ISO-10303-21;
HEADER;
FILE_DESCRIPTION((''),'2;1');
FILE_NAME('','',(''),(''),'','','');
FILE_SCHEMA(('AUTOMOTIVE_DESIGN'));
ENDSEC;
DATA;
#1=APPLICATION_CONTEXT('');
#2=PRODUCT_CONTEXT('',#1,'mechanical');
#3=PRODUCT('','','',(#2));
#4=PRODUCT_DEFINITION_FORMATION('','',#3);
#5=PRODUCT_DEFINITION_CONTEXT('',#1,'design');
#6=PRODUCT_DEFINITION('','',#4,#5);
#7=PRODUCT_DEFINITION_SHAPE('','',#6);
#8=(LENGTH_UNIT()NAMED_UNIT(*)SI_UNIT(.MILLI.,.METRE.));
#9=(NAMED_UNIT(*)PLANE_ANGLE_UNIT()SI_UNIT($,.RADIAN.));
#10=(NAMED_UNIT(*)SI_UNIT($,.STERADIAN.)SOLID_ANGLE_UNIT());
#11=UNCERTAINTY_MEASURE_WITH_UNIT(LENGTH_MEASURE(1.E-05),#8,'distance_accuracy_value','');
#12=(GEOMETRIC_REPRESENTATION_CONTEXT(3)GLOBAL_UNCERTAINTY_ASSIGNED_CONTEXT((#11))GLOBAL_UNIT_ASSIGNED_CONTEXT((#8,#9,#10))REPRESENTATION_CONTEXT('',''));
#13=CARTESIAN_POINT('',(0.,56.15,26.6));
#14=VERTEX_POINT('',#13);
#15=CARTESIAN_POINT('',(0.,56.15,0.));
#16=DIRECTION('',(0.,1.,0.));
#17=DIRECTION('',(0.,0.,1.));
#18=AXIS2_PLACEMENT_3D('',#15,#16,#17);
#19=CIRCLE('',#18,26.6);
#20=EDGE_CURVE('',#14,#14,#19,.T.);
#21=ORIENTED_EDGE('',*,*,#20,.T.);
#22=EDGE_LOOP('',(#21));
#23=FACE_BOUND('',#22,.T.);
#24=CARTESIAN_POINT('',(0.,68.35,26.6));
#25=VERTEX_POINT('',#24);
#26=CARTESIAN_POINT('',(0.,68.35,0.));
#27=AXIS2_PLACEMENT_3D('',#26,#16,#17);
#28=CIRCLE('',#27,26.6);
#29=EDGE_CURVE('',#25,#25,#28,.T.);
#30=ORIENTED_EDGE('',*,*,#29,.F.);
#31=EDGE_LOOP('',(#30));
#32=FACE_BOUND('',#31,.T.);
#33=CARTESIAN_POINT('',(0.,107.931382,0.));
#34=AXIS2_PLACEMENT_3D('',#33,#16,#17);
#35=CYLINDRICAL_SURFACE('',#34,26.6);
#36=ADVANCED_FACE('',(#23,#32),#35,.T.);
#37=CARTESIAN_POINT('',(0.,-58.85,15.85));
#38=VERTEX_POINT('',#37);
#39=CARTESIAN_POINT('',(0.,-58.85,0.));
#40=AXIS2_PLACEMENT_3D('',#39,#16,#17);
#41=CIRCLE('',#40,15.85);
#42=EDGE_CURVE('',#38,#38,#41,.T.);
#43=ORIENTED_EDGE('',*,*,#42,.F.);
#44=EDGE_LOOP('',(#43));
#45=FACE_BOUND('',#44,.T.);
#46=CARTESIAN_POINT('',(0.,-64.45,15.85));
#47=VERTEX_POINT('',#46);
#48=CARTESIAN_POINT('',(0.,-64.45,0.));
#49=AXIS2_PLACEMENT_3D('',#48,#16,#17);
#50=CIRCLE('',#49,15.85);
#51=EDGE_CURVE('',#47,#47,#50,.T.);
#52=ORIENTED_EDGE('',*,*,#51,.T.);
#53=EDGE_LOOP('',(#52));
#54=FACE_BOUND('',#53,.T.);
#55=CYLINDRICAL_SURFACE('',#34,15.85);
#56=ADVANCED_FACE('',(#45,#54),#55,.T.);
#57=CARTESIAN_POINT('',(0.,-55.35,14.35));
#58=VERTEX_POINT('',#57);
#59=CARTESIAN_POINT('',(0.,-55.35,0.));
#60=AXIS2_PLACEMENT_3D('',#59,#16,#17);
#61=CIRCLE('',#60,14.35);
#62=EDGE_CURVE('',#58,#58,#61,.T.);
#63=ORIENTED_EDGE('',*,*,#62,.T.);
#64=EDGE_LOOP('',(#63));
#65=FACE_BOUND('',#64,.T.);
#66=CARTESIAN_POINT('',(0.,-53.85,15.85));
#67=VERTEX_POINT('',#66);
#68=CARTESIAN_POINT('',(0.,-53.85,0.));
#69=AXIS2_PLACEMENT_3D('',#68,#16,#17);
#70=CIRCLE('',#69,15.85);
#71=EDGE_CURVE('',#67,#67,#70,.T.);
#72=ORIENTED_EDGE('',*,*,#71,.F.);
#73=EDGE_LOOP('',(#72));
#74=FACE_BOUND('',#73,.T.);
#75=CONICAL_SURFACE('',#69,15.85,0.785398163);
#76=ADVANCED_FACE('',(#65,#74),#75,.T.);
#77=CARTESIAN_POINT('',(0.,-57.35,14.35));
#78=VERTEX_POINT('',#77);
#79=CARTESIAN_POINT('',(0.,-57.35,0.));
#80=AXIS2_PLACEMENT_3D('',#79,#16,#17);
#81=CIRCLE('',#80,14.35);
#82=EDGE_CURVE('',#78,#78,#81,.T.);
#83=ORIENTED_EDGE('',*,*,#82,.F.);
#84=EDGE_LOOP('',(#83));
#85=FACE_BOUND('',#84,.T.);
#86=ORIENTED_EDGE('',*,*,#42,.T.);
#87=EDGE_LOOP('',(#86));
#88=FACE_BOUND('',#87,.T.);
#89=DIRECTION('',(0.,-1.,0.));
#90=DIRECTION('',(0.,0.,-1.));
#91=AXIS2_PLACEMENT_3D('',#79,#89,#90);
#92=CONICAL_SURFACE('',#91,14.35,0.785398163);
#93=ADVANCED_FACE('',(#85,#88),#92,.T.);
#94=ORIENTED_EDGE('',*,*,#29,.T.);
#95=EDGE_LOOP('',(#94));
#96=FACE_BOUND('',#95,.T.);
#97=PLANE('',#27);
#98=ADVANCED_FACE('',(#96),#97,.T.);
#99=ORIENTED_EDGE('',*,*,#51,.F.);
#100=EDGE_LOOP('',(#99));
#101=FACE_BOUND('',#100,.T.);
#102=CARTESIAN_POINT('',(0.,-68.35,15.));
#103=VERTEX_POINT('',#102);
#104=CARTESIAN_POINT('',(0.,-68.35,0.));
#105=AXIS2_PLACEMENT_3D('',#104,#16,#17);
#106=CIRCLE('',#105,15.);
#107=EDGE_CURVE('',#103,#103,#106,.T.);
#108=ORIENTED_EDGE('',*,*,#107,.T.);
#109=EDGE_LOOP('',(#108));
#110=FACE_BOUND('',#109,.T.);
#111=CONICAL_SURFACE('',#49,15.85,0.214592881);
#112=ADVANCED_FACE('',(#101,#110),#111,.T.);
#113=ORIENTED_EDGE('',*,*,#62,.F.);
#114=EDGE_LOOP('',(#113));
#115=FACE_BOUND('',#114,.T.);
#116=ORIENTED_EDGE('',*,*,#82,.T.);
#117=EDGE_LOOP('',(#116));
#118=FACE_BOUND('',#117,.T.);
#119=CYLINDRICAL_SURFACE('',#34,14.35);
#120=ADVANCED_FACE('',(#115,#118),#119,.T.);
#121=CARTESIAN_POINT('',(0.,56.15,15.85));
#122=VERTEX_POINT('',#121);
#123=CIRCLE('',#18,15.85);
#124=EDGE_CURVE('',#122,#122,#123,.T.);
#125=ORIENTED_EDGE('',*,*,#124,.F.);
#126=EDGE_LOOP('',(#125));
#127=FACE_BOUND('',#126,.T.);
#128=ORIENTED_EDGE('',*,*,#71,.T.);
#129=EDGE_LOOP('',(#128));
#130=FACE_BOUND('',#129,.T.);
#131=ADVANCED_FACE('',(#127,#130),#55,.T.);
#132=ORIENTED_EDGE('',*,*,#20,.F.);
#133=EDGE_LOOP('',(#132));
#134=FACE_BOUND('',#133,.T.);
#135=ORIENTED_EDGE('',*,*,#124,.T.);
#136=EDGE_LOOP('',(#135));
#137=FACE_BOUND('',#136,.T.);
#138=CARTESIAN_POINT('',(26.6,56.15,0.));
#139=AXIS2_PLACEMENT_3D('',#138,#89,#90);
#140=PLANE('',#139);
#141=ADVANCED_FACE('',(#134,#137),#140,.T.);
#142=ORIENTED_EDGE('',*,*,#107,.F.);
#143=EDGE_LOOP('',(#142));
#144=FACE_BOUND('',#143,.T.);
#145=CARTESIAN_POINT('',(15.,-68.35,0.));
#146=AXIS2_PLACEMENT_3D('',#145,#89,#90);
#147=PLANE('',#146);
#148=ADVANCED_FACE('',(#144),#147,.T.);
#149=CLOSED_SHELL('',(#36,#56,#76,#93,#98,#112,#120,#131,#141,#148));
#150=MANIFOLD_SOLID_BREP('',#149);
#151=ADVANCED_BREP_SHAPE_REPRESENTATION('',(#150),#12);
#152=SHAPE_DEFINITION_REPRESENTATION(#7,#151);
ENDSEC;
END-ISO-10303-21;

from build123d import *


with BuildPart() as part:
    # Croquis1 → Revolución1 (revolve)
    with BuildSketch(Plane.XY, mode=Mode.PRIVATE) as revoluci_n1_sk:
        Polygon((0, 68.35), (26.6, 68.35), (26.6, 56.15), (15.85, 56.15), (15.85, -53.85), (14.35, -55.35), (14.35, -57.35), (15.85, -58.85), (15.85, -64.45), (15, -68.35), (0, -68.35), align=None)
    revolve(revoluci_n1_sk.sketch.rotate(Axis((0, 107.931381584, 0), (0, -1, 0)), 90), axis=Axis((0, 107.931381584, 0), (0, -1, 0)))


solid = part.part
